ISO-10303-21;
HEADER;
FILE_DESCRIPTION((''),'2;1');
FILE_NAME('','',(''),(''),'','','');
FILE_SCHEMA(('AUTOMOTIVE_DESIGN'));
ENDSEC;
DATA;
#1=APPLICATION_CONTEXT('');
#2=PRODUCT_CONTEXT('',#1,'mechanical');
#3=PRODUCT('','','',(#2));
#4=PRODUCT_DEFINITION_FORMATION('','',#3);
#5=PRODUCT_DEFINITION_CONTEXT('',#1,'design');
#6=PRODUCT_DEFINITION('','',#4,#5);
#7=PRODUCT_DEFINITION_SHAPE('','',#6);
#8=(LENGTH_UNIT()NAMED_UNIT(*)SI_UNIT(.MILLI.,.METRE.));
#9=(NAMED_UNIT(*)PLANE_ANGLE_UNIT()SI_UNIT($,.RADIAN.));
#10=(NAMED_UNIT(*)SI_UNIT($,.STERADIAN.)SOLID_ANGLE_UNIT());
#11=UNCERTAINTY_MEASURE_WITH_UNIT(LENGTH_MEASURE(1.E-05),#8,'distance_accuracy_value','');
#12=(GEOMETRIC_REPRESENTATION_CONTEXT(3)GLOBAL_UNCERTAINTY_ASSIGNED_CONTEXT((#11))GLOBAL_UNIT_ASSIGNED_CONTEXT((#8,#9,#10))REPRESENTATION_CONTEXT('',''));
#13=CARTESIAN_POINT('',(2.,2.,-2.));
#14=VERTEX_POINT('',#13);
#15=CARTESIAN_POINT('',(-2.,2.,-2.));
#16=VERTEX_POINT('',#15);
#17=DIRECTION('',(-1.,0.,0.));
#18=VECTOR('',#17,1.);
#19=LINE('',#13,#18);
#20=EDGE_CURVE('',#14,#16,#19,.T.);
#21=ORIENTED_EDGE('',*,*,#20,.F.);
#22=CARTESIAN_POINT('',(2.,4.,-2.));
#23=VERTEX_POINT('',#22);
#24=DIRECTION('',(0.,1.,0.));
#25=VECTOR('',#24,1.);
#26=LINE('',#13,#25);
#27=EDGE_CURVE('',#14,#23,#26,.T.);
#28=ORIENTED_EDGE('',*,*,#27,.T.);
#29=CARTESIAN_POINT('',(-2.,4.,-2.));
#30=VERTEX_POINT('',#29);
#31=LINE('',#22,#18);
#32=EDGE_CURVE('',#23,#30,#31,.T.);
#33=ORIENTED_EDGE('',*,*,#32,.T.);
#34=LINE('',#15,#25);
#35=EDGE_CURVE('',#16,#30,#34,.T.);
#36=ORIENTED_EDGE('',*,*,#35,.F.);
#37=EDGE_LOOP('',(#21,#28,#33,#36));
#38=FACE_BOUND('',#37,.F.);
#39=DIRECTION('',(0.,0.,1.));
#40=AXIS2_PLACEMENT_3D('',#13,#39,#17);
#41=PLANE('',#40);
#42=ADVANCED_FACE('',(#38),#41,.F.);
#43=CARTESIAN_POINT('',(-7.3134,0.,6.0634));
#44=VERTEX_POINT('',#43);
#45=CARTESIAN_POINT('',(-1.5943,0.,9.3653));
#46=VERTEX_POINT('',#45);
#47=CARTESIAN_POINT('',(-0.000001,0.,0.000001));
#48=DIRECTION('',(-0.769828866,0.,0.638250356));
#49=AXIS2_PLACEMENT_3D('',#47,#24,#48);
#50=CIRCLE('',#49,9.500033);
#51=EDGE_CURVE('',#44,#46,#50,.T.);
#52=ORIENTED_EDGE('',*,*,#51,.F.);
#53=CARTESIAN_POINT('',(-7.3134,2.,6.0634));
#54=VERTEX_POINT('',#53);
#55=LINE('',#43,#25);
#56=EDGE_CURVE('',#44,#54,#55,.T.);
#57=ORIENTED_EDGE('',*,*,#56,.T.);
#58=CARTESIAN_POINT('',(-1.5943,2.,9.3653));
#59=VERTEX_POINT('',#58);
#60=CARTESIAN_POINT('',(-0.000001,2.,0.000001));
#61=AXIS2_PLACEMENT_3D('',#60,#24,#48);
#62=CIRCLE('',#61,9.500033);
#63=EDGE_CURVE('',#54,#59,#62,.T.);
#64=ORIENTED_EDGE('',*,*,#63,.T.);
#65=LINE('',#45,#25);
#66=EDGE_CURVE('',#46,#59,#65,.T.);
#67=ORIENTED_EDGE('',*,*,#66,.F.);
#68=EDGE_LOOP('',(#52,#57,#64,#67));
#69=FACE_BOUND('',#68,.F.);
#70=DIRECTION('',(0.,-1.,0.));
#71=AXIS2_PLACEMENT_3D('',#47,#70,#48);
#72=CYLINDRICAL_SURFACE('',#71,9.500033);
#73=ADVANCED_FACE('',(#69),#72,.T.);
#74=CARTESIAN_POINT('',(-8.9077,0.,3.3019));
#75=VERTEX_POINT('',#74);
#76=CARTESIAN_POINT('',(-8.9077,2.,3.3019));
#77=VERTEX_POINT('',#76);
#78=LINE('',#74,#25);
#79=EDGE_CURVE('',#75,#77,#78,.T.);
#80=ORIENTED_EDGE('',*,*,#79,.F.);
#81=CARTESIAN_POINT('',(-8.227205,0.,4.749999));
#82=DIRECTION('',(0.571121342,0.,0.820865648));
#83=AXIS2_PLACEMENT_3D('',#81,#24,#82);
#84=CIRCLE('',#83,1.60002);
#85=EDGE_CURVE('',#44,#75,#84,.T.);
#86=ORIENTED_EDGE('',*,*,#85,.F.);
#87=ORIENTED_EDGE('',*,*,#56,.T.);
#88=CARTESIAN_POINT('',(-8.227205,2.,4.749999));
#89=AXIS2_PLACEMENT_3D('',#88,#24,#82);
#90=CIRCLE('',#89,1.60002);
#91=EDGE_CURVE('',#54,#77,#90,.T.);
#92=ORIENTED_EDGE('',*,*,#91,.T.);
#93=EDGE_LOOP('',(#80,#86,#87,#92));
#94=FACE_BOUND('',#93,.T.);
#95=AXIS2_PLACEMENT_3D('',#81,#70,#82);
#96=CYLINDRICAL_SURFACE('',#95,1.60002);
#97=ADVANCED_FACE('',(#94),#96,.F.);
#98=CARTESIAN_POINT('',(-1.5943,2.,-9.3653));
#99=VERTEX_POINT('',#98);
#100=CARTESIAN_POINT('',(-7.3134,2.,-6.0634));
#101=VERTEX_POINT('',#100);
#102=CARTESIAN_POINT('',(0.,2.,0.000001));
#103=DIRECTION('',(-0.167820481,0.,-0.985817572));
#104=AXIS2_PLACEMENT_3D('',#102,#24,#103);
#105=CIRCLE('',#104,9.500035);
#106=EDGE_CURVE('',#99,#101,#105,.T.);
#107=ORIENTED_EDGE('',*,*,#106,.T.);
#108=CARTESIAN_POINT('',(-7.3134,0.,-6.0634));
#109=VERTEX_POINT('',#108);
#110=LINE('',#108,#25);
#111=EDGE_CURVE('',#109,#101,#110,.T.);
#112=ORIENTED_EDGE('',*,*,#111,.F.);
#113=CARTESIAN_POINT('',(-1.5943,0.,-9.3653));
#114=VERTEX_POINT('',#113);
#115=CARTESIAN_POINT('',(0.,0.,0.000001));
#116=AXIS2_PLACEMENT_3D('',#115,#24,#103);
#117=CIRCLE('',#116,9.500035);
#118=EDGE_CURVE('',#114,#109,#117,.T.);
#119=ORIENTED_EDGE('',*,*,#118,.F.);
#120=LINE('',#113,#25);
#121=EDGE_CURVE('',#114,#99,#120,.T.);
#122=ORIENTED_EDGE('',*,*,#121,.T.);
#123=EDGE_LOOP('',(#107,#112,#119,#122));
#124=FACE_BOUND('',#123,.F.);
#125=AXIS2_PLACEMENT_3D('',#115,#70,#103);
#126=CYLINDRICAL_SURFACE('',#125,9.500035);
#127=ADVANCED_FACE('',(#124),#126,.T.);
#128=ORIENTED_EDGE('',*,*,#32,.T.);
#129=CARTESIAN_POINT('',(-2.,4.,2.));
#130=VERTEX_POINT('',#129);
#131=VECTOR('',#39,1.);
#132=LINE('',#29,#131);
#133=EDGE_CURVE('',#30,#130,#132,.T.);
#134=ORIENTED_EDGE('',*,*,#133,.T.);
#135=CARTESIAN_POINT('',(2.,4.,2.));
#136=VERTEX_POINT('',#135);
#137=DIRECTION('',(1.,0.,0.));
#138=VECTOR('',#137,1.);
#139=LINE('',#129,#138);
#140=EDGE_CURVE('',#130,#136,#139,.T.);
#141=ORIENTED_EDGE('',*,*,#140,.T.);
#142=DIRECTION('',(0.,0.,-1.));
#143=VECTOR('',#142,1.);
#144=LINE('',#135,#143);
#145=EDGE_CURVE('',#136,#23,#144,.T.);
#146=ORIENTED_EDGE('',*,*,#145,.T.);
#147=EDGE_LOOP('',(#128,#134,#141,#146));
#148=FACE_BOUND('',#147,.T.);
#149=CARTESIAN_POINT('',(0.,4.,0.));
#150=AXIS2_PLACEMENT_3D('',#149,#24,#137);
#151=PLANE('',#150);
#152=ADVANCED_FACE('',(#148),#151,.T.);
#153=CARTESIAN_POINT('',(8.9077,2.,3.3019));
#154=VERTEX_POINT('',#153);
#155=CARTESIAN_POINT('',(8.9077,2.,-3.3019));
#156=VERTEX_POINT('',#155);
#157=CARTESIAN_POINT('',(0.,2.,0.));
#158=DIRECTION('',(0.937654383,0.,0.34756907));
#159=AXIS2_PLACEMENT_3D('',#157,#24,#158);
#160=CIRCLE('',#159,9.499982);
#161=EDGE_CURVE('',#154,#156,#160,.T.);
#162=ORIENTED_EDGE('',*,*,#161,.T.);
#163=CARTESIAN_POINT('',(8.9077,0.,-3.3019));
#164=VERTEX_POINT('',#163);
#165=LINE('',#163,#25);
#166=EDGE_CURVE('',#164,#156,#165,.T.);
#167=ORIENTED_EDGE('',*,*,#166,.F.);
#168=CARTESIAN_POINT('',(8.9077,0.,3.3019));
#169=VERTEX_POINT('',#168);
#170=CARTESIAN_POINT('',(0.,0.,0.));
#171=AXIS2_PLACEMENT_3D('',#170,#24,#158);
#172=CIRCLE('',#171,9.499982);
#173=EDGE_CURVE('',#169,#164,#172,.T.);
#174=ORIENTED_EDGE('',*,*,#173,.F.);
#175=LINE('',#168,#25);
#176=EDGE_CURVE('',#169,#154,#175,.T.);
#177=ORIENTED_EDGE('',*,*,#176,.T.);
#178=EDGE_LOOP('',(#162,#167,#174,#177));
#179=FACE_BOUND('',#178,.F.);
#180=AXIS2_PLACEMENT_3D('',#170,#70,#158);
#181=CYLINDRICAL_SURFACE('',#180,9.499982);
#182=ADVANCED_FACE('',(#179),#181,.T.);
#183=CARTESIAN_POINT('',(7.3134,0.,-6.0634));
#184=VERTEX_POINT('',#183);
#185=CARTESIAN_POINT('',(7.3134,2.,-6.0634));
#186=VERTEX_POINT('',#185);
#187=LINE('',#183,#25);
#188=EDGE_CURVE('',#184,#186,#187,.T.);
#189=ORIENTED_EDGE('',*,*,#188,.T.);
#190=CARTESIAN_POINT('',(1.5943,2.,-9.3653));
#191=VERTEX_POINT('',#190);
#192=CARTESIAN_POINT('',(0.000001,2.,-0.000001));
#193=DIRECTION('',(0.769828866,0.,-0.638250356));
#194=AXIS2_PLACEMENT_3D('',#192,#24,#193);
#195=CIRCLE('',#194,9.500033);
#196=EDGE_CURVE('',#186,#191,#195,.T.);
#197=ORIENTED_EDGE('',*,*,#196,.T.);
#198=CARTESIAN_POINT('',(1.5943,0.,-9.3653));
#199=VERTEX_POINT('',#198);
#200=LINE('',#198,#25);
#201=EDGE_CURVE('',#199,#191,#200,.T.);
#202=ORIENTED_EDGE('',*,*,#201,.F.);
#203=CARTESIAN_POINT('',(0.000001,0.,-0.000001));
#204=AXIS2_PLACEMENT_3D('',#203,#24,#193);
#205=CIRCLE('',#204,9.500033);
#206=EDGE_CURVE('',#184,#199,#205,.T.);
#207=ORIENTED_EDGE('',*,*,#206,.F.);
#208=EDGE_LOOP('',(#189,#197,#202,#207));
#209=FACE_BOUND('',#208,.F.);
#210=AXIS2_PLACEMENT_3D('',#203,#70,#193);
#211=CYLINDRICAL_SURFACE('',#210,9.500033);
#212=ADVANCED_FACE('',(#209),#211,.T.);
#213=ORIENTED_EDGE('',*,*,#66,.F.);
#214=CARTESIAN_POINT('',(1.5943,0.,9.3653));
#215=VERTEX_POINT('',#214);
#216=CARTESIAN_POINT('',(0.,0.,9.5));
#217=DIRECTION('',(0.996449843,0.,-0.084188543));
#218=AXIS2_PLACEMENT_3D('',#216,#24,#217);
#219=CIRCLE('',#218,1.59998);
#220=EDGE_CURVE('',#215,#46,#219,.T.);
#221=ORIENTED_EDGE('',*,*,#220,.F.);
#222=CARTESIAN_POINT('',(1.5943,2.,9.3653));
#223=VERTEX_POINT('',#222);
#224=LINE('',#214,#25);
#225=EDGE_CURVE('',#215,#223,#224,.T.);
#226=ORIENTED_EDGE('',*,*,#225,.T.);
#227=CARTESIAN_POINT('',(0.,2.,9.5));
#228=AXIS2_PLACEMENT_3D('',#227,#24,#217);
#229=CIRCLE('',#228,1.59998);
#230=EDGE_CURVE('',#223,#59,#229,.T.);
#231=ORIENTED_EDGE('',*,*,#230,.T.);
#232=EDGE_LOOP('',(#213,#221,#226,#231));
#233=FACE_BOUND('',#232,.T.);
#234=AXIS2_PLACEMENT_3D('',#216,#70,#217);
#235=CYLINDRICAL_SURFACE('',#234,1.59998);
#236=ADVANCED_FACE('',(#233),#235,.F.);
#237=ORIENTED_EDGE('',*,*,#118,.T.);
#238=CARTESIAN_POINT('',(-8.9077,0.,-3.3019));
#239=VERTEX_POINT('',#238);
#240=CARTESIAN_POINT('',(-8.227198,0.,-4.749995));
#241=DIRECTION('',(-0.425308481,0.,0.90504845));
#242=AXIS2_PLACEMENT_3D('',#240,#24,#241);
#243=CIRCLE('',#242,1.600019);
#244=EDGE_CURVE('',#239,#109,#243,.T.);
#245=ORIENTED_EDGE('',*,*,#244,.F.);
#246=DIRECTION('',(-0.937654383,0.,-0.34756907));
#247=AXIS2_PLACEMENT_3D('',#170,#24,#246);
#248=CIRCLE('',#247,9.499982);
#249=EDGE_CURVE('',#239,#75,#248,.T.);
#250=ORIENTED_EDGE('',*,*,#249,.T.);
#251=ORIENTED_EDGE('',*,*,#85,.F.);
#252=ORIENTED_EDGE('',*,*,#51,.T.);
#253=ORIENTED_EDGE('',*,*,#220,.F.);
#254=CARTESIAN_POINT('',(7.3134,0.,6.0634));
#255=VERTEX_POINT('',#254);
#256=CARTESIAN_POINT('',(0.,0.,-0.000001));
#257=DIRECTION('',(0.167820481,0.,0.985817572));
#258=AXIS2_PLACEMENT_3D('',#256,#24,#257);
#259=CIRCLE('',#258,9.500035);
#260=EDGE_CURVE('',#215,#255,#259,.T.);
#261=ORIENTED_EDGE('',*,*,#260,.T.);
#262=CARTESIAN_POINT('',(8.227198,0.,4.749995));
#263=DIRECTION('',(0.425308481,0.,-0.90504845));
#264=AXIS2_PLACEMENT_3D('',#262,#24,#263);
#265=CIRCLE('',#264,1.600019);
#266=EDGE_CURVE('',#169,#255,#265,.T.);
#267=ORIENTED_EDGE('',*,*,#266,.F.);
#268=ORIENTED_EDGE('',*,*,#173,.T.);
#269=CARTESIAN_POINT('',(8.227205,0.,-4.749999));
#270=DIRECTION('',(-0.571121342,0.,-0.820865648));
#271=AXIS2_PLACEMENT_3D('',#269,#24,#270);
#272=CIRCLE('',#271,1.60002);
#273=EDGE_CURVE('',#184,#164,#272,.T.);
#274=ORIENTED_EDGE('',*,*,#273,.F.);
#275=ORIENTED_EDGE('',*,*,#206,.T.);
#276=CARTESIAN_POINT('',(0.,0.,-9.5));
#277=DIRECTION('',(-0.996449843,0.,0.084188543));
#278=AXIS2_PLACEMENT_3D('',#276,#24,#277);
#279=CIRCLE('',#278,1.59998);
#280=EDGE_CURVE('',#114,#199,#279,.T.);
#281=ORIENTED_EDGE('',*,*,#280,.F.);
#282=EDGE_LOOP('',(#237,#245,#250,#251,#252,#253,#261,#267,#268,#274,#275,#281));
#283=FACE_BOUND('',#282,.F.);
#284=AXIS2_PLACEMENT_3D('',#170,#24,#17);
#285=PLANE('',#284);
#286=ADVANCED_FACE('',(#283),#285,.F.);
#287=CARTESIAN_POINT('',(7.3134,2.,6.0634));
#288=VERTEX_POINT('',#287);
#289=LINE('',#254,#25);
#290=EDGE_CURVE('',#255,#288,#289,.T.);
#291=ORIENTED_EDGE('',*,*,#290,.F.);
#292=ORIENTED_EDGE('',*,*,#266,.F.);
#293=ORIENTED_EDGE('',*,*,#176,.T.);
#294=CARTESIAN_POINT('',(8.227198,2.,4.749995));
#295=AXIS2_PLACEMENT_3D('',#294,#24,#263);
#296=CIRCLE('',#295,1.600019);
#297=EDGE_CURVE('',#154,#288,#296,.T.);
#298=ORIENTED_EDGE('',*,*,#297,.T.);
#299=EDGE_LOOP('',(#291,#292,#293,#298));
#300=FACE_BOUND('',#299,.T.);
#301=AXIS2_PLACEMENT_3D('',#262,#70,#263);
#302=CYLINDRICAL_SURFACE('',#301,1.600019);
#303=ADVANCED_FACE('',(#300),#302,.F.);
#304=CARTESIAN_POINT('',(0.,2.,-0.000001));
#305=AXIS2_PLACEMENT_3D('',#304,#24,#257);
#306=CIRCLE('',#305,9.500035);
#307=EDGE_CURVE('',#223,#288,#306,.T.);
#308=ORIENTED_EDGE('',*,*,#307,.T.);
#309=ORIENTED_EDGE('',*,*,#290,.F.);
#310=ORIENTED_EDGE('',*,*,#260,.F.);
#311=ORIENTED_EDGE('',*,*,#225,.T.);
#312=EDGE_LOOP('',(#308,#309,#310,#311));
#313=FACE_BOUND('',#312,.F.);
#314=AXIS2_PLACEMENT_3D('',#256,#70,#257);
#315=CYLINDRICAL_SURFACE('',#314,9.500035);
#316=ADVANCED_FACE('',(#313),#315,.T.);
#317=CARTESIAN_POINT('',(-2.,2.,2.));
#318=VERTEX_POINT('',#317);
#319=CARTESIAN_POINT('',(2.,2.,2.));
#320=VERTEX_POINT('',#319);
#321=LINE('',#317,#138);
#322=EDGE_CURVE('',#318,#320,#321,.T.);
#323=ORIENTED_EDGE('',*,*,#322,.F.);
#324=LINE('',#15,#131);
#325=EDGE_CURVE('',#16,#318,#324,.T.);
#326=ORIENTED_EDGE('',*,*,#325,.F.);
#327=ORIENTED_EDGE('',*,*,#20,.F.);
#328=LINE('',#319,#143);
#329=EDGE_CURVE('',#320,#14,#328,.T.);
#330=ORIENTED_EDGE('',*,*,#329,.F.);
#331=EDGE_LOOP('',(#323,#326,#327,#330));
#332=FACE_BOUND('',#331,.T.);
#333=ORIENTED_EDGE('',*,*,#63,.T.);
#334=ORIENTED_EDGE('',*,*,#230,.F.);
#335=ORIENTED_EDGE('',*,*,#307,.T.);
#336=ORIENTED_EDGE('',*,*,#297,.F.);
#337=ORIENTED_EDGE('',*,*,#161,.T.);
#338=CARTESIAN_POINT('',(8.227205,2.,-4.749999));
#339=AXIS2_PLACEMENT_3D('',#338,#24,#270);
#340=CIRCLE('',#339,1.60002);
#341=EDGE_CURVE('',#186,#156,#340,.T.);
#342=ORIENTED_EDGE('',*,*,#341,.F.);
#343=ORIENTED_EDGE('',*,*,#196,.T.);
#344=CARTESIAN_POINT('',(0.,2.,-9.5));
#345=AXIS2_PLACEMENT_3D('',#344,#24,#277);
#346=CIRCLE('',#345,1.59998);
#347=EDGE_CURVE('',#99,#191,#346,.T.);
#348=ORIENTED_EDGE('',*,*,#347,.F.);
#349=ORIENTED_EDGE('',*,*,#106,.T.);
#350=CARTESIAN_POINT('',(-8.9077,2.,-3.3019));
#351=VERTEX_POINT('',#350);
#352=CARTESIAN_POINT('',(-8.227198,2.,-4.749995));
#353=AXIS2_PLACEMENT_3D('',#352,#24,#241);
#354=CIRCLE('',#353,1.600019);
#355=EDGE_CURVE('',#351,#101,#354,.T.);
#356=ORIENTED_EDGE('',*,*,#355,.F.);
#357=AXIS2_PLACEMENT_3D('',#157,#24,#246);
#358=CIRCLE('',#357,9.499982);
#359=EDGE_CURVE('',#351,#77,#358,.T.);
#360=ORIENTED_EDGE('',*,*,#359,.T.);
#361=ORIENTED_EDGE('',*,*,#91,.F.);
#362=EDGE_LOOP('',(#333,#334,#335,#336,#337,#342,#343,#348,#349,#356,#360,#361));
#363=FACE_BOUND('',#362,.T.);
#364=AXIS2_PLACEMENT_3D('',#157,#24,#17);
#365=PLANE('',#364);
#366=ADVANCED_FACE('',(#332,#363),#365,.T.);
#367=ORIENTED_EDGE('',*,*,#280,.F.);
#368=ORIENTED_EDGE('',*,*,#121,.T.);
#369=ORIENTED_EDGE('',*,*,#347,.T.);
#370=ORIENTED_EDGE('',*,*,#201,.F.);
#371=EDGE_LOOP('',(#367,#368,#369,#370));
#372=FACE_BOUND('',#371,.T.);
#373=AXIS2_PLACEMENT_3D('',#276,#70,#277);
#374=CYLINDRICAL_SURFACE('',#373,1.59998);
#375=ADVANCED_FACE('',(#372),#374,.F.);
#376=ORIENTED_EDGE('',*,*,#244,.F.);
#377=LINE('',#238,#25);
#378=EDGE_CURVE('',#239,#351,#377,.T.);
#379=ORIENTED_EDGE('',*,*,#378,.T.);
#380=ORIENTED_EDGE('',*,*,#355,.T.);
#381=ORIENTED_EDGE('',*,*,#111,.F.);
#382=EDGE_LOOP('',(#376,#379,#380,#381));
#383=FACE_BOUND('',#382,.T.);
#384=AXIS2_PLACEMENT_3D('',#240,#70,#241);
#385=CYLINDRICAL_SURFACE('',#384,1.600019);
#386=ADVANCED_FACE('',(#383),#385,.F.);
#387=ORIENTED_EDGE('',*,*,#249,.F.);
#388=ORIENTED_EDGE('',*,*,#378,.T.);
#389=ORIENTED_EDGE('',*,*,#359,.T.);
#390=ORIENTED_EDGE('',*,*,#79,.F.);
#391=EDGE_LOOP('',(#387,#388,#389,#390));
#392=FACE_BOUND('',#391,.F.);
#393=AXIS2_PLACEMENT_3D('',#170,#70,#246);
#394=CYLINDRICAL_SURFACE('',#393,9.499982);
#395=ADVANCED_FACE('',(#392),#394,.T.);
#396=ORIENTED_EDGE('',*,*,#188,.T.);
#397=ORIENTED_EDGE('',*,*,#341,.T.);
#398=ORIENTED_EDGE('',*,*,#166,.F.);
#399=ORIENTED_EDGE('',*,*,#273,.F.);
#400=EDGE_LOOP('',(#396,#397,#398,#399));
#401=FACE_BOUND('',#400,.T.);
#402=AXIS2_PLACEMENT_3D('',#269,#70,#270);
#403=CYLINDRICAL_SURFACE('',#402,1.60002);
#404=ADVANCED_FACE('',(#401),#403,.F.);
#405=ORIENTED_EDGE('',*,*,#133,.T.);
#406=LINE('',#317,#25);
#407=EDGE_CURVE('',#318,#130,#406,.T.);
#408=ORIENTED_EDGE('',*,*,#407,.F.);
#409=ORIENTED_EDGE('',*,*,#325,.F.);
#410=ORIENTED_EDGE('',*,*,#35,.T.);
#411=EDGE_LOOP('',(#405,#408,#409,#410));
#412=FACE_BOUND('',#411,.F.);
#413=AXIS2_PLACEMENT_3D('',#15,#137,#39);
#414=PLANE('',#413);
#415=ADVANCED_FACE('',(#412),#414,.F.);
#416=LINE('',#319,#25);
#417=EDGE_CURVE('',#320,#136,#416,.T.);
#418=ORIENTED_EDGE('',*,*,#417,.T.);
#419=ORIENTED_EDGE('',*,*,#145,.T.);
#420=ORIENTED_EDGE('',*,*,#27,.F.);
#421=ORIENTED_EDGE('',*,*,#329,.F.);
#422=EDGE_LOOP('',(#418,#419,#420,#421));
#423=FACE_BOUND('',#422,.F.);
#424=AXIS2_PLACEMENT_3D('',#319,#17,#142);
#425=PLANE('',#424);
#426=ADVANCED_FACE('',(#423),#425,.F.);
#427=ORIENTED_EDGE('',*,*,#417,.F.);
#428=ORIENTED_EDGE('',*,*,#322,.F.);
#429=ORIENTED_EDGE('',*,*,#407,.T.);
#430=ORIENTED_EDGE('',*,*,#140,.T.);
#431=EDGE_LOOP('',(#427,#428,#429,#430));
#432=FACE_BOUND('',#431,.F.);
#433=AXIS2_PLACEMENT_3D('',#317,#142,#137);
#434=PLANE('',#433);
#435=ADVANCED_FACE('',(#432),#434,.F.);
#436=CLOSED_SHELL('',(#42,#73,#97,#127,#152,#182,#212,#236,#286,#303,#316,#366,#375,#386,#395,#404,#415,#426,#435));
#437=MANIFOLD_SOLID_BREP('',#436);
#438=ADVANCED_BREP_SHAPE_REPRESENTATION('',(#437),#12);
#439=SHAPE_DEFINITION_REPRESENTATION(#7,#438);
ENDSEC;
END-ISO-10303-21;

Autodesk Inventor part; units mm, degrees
ref_plane "YZ Plane" through (0, 0, 0) normal (1, 0, 0) x (0, 1, 0)
ref_plane "XZ Plane" through (0, 0, 0) normal (0, 1, 0) x (-1, 0, 0)
ref_plane "XY Plane" through (0, 0, 0) normal (0, 0, 1) x (1, 0, 0)
sketch "Sketch1" plane through (0, 0, 0) normal (0, 1, 0) x (-1, 0, 0)
  arc A0 (1.5943, -9.3653) -> (-1.5943, -9.3653) centre (0, -9.5) ccw
  arc A1 (8.9077, -3.3019) -> (7.3134, -6.0634) centre (8.2272, -4.75) ccw
  arc A2 (7.3134, 6.0634) -> (8.9077, 3.3019) centre (8.2272, 4.75) ccw
  arc A3 (-1.5943, 9.3653) -> (1.5943, 9.3653) centre (0, 9.5) ccw
  arc A4 (-8.9077, 3.3019) -> (-7.3134, 6.0634) centre (-8.2272, 4.75) ccw
  arc A5 (-7.3134, -6.0634) -> (-8.9077, -3.3019) centre (-8.2272, -4.75) ccw
  arc A6 (1.5943, -9.3653) -> (7.3134, -6.0634) centre (0, 0) ccw
  arc A7 (8.9077, -3.3019) -> (8.9077, 3.3019) centre (0, 0) ccw
  arc A8 (7.3134, 6.0634) -> (1.5943, 9.3653) centre (0, 0) ccw
  arc A9 (-1.5943, 9.3653) -> (-7.3134, 6.0634) centre (0, 0) ccw
  arc A10 (-8.9077, 3.3019) -> (-8.9077, -3.3019) centre (0, 0) ccw
  arc A11 (-7.3134, -6.0634) -> (-1.5943, -9.3653) centre (0, 0) ccw
  dimension "d1" = 3.2
  dimension "d4" = 360
extrude "Extrusion1" add sketch "Sketch1" along normal blind 2
sketch "Sketch2" plane through (0, 2, 0) normal (0, 1, 0) x (1, 0, 0)
  line L0 (2, 2) -> (-2, 2)
  line L1 (-2, 2) -> (-2, -2)
  line L2 (-2, -2) -> (2, -2)
  line L3 (2, -2) -> (2, 2)
  line L4 (2, 2) -> (-2, -2) construction
  line L5 (-2, 2) -> (2, -2) construction
  point P0 (0, 0)
  dimension "d8" = 4
  dimension "d9" = 4
extrude "Extrusion2" add sketch "Sketch2" along normal blind 2
properties part number "led"
